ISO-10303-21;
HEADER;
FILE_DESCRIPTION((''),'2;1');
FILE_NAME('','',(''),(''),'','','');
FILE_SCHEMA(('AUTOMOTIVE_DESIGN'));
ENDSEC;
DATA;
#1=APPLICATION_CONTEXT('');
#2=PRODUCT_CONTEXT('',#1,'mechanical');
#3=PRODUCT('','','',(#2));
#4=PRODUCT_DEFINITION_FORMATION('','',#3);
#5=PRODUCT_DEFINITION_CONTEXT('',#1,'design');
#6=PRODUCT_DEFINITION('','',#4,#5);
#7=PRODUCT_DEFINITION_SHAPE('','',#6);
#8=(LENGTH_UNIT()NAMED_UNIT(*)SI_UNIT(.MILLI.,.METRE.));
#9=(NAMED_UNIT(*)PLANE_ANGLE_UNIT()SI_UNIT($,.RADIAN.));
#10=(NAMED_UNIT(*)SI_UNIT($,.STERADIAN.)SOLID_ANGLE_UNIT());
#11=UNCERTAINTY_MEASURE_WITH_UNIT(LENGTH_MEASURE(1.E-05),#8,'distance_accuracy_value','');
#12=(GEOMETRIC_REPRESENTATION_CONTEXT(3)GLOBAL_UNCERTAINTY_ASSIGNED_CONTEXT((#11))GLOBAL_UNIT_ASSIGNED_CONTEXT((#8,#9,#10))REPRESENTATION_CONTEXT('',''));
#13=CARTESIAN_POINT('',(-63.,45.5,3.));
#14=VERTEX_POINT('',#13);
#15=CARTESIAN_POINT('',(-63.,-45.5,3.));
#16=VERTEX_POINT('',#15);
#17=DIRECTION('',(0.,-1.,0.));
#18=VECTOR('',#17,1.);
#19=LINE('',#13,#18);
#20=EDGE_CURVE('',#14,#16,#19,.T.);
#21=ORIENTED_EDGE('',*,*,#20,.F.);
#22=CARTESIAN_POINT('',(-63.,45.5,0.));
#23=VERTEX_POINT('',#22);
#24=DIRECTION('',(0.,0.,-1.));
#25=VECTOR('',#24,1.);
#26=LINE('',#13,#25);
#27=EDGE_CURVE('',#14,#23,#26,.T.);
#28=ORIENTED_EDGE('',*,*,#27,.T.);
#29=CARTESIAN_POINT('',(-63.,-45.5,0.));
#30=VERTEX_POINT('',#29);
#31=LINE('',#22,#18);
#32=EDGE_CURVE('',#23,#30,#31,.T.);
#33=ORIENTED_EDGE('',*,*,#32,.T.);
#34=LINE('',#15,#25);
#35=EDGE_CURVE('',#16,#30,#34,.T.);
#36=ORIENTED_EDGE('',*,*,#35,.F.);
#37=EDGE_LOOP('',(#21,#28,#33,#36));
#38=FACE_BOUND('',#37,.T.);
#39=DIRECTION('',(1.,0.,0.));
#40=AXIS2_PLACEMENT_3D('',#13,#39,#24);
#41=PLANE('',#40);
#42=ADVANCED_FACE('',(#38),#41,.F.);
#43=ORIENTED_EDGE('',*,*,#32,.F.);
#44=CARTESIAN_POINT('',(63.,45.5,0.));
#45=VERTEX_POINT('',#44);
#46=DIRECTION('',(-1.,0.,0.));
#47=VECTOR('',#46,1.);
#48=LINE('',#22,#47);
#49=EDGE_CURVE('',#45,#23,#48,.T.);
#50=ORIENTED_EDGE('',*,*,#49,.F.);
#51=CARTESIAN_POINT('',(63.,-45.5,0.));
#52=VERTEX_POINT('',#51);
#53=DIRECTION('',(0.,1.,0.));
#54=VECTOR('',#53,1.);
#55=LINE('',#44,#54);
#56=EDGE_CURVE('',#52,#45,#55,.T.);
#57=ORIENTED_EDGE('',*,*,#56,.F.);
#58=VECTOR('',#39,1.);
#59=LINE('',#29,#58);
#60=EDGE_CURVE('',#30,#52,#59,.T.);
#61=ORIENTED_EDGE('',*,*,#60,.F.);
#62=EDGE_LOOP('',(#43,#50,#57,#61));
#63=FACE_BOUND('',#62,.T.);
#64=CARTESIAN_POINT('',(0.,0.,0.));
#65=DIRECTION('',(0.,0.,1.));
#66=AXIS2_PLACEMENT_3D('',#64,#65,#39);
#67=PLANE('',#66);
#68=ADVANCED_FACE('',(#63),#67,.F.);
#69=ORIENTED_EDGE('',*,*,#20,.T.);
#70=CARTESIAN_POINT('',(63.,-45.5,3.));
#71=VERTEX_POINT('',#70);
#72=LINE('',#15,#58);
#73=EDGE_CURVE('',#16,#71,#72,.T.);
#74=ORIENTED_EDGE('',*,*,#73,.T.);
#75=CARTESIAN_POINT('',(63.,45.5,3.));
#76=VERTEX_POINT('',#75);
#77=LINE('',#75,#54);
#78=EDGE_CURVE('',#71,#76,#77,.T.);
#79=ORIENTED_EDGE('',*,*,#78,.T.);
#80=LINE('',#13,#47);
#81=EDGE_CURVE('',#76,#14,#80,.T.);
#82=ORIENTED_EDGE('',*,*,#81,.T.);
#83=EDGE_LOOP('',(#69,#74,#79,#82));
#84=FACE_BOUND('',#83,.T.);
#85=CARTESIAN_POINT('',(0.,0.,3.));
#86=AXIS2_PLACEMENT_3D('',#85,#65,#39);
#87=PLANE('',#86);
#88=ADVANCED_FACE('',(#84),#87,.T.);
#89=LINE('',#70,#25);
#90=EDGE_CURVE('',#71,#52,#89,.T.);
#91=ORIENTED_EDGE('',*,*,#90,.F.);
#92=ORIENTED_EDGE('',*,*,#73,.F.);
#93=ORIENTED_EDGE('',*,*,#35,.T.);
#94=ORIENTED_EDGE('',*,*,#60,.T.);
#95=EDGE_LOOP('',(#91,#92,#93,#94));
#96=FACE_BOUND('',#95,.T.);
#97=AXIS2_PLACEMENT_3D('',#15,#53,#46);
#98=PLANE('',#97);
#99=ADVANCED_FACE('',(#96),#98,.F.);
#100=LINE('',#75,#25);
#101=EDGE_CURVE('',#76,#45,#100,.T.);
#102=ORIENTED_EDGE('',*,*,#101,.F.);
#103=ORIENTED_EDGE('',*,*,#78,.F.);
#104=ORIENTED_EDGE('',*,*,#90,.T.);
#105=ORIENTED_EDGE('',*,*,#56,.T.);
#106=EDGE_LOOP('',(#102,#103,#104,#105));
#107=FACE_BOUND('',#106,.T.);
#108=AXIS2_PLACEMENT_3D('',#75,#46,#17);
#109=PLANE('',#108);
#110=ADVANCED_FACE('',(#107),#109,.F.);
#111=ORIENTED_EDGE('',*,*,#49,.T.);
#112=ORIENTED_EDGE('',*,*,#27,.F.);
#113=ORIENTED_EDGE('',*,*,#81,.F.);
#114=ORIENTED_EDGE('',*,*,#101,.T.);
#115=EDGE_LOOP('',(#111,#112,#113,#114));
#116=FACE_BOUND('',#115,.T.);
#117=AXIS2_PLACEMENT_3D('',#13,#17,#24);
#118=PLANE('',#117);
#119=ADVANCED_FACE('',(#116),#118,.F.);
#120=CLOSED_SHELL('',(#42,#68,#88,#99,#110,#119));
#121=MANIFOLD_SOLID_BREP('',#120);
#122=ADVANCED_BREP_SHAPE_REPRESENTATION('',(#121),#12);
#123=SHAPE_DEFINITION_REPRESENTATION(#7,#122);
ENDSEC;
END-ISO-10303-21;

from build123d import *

# Parameters (mm, degrees)
SKETCH_1_W      = 126
SKETCH_1_H      = 91
EXTRUDE_1_DEPTH = 3


with BuildPart() as part:
    # 草图1 → 凸台-拉伸1 (new body)
    with BuildSketch(Plane.XY):
        Rectangle(SKETCH_1_W, SKETCH_1_H)
    extrude(amount=EXTRUDE_1_DEPTH)


solid = part.part
